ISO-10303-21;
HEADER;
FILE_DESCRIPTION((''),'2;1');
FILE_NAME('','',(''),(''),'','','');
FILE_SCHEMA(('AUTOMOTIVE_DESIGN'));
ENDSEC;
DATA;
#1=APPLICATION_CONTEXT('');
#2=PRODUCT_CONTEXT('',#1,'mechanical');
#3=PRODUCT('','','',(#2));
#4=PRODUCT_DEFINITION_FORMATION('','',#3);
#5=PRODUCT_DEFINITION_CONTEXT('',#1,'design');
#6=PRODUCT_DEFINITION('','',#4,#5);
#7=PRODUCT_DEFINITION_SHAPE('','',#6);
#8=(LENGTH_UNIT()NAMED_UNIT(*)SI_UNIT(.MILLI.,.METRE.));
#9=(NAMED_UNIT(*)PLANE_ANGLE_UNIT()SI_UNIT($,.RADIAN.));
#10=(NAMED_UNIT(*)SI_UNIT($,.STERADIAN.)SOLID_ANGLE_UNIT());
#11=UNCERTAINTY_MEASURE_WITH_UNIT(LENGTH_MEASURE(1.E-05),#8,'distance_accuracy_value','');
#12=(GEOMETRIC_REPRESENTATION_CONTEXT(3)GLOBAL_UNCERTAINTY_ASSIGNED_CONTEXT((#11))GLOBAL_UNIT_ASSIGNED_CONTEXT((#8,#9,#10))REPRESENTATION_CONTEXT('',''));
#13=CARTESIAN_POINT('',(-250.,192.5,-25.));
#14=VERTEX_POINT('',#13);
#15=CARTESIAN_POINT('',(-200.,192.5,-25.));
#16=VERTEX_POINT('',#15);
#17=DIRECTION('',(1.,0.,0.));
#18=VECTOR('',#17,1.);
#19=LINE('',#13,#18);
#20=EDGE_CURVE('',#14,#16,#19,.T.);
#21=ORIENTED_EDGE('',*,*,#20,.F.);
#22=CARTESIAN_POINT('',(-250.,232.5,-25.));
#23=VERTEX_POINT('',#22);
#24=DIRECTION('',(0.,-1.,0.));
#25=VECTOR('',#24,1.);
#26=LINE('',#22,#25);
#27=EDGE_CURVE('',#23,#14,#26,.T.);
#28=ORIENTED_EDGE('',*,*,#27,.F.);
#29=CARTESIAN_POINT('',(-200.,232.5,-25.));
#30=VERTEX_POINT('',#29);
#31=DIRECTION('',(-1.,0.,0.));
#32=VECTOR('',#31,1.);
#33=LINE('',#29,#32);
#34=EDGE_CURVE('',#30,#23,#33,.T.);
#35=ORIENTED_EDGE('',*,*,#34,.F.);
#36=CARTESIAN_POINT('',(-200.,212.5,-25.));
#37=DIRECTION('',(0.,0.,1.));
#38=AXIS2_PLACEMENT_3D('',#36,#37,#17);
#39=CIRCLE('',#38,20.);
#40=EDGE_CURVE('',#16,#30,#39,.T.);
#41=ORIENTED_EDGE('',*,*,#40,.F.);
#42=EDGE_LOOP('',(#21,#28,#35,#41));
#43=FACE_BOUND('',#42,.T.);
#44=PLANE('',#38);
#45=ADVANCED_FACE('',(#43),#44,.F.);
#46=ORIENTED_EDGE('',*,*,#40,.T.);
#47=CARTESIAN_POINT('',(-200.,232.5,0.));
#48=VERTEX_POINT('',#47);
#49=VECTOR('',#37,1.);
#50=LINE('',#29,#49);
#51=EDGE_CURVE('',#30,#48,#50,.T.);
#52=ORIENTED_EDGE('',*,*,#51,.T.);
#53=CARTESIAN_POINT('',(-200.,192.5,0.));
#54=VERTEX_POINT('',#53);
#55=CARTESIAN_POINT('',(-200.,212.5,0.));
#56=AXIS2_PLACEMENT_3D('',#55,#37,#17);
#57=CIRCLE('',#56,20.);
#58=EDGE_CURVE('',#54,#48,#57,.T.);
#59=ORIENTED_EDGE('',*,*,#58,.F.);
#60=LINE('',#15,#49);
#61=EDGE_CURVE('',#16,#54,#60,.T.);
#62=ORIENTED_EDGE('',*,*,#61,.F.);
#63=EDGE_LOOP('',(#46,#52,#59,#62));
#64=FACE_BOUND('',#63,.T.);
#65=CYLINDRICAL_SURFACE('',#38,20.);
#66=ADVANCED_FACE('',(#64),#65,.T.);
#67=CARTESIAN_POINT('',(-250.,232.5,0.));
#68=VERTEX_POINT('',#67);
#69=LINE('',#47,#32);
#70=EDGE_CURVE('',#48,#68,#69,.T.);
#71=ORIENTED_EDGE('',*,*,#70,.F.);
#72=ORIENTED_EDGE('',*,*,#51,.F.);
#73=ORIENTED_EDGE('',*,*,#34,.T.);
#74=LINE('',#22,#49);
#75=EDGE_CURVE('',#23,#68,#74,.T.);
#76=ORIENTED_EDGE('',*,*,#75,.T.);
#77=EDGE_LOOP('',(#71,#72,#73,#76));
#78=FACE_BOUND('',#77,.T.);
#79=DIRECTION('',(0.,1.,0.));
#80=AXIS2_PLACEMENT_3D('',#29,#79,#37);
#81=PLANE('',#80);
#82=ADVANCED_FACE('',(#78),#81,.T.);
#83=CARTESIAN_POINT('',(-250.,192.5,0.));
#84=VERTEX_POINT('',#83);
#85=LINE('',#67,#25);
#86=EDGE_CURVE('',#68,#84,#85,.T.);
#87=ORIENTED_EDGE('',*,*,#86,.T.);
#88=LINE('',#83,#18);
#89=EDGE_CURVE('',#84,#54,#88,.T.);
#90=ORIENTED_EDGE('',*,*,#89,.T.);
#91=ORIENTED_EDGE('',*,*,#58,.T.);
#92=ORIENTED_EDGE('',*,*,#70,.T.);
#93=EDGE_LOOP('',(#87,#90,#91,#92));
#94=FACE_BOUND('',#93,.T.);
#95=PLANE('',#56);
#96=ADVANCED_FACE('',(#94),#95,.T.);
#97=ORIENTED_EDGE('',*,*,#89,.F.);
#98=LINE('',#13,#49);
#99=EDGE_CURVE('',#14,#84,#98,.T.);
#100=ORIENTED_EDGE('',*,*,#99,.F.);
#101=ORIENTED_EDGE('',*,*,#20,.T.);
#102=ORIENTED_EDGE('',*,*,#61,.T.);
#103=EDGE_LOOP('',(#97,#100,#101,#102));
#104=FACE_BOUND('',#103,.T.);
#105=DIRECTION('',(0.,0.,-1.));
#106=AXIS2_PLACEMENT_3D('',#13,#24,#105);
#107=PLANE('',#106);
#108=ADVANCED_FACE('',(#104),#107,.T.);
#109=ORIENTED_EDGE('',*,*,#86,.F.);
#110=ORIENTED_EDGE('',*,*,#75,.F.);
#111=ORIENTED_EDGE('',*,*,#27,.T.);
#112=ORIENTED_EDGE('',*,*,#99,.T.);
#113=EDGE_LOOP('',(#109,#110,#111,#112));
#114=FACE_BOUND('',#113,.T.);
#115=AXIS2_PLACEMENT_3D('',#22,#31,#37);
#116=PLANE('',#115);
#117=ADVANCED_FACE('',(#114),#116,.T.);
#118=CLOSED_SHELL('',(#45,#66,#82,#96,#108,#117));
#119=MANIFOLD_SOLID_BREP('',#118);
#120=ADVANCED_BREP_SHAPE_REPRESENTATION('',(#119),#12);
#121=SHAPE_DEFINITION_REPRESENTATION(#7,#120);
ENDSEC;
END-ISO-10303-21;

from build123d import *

# Parameters (mm, degrees)
BOSS_EXTRUDE1_DEPTH = 25


with BuildPart() as part:
    # Sketch1 → Boss-Extrude1 (new body)
    with BuildSketch(Plane.XY):
        with BuildLine():
            Line((-200, 232.5), (-250, 232.5))
            Line((-250, 232.5), (-250, 192.5))
            Line((-250, 192.5), (-200, 192.5))
            ThreePointArc((-200, 192.5), (-180, 212.5), (-200, 232.5))
        make_face()
    extrude(amount=-BOSS_EXTRUDE1_DEPTH)


solid = part.part
